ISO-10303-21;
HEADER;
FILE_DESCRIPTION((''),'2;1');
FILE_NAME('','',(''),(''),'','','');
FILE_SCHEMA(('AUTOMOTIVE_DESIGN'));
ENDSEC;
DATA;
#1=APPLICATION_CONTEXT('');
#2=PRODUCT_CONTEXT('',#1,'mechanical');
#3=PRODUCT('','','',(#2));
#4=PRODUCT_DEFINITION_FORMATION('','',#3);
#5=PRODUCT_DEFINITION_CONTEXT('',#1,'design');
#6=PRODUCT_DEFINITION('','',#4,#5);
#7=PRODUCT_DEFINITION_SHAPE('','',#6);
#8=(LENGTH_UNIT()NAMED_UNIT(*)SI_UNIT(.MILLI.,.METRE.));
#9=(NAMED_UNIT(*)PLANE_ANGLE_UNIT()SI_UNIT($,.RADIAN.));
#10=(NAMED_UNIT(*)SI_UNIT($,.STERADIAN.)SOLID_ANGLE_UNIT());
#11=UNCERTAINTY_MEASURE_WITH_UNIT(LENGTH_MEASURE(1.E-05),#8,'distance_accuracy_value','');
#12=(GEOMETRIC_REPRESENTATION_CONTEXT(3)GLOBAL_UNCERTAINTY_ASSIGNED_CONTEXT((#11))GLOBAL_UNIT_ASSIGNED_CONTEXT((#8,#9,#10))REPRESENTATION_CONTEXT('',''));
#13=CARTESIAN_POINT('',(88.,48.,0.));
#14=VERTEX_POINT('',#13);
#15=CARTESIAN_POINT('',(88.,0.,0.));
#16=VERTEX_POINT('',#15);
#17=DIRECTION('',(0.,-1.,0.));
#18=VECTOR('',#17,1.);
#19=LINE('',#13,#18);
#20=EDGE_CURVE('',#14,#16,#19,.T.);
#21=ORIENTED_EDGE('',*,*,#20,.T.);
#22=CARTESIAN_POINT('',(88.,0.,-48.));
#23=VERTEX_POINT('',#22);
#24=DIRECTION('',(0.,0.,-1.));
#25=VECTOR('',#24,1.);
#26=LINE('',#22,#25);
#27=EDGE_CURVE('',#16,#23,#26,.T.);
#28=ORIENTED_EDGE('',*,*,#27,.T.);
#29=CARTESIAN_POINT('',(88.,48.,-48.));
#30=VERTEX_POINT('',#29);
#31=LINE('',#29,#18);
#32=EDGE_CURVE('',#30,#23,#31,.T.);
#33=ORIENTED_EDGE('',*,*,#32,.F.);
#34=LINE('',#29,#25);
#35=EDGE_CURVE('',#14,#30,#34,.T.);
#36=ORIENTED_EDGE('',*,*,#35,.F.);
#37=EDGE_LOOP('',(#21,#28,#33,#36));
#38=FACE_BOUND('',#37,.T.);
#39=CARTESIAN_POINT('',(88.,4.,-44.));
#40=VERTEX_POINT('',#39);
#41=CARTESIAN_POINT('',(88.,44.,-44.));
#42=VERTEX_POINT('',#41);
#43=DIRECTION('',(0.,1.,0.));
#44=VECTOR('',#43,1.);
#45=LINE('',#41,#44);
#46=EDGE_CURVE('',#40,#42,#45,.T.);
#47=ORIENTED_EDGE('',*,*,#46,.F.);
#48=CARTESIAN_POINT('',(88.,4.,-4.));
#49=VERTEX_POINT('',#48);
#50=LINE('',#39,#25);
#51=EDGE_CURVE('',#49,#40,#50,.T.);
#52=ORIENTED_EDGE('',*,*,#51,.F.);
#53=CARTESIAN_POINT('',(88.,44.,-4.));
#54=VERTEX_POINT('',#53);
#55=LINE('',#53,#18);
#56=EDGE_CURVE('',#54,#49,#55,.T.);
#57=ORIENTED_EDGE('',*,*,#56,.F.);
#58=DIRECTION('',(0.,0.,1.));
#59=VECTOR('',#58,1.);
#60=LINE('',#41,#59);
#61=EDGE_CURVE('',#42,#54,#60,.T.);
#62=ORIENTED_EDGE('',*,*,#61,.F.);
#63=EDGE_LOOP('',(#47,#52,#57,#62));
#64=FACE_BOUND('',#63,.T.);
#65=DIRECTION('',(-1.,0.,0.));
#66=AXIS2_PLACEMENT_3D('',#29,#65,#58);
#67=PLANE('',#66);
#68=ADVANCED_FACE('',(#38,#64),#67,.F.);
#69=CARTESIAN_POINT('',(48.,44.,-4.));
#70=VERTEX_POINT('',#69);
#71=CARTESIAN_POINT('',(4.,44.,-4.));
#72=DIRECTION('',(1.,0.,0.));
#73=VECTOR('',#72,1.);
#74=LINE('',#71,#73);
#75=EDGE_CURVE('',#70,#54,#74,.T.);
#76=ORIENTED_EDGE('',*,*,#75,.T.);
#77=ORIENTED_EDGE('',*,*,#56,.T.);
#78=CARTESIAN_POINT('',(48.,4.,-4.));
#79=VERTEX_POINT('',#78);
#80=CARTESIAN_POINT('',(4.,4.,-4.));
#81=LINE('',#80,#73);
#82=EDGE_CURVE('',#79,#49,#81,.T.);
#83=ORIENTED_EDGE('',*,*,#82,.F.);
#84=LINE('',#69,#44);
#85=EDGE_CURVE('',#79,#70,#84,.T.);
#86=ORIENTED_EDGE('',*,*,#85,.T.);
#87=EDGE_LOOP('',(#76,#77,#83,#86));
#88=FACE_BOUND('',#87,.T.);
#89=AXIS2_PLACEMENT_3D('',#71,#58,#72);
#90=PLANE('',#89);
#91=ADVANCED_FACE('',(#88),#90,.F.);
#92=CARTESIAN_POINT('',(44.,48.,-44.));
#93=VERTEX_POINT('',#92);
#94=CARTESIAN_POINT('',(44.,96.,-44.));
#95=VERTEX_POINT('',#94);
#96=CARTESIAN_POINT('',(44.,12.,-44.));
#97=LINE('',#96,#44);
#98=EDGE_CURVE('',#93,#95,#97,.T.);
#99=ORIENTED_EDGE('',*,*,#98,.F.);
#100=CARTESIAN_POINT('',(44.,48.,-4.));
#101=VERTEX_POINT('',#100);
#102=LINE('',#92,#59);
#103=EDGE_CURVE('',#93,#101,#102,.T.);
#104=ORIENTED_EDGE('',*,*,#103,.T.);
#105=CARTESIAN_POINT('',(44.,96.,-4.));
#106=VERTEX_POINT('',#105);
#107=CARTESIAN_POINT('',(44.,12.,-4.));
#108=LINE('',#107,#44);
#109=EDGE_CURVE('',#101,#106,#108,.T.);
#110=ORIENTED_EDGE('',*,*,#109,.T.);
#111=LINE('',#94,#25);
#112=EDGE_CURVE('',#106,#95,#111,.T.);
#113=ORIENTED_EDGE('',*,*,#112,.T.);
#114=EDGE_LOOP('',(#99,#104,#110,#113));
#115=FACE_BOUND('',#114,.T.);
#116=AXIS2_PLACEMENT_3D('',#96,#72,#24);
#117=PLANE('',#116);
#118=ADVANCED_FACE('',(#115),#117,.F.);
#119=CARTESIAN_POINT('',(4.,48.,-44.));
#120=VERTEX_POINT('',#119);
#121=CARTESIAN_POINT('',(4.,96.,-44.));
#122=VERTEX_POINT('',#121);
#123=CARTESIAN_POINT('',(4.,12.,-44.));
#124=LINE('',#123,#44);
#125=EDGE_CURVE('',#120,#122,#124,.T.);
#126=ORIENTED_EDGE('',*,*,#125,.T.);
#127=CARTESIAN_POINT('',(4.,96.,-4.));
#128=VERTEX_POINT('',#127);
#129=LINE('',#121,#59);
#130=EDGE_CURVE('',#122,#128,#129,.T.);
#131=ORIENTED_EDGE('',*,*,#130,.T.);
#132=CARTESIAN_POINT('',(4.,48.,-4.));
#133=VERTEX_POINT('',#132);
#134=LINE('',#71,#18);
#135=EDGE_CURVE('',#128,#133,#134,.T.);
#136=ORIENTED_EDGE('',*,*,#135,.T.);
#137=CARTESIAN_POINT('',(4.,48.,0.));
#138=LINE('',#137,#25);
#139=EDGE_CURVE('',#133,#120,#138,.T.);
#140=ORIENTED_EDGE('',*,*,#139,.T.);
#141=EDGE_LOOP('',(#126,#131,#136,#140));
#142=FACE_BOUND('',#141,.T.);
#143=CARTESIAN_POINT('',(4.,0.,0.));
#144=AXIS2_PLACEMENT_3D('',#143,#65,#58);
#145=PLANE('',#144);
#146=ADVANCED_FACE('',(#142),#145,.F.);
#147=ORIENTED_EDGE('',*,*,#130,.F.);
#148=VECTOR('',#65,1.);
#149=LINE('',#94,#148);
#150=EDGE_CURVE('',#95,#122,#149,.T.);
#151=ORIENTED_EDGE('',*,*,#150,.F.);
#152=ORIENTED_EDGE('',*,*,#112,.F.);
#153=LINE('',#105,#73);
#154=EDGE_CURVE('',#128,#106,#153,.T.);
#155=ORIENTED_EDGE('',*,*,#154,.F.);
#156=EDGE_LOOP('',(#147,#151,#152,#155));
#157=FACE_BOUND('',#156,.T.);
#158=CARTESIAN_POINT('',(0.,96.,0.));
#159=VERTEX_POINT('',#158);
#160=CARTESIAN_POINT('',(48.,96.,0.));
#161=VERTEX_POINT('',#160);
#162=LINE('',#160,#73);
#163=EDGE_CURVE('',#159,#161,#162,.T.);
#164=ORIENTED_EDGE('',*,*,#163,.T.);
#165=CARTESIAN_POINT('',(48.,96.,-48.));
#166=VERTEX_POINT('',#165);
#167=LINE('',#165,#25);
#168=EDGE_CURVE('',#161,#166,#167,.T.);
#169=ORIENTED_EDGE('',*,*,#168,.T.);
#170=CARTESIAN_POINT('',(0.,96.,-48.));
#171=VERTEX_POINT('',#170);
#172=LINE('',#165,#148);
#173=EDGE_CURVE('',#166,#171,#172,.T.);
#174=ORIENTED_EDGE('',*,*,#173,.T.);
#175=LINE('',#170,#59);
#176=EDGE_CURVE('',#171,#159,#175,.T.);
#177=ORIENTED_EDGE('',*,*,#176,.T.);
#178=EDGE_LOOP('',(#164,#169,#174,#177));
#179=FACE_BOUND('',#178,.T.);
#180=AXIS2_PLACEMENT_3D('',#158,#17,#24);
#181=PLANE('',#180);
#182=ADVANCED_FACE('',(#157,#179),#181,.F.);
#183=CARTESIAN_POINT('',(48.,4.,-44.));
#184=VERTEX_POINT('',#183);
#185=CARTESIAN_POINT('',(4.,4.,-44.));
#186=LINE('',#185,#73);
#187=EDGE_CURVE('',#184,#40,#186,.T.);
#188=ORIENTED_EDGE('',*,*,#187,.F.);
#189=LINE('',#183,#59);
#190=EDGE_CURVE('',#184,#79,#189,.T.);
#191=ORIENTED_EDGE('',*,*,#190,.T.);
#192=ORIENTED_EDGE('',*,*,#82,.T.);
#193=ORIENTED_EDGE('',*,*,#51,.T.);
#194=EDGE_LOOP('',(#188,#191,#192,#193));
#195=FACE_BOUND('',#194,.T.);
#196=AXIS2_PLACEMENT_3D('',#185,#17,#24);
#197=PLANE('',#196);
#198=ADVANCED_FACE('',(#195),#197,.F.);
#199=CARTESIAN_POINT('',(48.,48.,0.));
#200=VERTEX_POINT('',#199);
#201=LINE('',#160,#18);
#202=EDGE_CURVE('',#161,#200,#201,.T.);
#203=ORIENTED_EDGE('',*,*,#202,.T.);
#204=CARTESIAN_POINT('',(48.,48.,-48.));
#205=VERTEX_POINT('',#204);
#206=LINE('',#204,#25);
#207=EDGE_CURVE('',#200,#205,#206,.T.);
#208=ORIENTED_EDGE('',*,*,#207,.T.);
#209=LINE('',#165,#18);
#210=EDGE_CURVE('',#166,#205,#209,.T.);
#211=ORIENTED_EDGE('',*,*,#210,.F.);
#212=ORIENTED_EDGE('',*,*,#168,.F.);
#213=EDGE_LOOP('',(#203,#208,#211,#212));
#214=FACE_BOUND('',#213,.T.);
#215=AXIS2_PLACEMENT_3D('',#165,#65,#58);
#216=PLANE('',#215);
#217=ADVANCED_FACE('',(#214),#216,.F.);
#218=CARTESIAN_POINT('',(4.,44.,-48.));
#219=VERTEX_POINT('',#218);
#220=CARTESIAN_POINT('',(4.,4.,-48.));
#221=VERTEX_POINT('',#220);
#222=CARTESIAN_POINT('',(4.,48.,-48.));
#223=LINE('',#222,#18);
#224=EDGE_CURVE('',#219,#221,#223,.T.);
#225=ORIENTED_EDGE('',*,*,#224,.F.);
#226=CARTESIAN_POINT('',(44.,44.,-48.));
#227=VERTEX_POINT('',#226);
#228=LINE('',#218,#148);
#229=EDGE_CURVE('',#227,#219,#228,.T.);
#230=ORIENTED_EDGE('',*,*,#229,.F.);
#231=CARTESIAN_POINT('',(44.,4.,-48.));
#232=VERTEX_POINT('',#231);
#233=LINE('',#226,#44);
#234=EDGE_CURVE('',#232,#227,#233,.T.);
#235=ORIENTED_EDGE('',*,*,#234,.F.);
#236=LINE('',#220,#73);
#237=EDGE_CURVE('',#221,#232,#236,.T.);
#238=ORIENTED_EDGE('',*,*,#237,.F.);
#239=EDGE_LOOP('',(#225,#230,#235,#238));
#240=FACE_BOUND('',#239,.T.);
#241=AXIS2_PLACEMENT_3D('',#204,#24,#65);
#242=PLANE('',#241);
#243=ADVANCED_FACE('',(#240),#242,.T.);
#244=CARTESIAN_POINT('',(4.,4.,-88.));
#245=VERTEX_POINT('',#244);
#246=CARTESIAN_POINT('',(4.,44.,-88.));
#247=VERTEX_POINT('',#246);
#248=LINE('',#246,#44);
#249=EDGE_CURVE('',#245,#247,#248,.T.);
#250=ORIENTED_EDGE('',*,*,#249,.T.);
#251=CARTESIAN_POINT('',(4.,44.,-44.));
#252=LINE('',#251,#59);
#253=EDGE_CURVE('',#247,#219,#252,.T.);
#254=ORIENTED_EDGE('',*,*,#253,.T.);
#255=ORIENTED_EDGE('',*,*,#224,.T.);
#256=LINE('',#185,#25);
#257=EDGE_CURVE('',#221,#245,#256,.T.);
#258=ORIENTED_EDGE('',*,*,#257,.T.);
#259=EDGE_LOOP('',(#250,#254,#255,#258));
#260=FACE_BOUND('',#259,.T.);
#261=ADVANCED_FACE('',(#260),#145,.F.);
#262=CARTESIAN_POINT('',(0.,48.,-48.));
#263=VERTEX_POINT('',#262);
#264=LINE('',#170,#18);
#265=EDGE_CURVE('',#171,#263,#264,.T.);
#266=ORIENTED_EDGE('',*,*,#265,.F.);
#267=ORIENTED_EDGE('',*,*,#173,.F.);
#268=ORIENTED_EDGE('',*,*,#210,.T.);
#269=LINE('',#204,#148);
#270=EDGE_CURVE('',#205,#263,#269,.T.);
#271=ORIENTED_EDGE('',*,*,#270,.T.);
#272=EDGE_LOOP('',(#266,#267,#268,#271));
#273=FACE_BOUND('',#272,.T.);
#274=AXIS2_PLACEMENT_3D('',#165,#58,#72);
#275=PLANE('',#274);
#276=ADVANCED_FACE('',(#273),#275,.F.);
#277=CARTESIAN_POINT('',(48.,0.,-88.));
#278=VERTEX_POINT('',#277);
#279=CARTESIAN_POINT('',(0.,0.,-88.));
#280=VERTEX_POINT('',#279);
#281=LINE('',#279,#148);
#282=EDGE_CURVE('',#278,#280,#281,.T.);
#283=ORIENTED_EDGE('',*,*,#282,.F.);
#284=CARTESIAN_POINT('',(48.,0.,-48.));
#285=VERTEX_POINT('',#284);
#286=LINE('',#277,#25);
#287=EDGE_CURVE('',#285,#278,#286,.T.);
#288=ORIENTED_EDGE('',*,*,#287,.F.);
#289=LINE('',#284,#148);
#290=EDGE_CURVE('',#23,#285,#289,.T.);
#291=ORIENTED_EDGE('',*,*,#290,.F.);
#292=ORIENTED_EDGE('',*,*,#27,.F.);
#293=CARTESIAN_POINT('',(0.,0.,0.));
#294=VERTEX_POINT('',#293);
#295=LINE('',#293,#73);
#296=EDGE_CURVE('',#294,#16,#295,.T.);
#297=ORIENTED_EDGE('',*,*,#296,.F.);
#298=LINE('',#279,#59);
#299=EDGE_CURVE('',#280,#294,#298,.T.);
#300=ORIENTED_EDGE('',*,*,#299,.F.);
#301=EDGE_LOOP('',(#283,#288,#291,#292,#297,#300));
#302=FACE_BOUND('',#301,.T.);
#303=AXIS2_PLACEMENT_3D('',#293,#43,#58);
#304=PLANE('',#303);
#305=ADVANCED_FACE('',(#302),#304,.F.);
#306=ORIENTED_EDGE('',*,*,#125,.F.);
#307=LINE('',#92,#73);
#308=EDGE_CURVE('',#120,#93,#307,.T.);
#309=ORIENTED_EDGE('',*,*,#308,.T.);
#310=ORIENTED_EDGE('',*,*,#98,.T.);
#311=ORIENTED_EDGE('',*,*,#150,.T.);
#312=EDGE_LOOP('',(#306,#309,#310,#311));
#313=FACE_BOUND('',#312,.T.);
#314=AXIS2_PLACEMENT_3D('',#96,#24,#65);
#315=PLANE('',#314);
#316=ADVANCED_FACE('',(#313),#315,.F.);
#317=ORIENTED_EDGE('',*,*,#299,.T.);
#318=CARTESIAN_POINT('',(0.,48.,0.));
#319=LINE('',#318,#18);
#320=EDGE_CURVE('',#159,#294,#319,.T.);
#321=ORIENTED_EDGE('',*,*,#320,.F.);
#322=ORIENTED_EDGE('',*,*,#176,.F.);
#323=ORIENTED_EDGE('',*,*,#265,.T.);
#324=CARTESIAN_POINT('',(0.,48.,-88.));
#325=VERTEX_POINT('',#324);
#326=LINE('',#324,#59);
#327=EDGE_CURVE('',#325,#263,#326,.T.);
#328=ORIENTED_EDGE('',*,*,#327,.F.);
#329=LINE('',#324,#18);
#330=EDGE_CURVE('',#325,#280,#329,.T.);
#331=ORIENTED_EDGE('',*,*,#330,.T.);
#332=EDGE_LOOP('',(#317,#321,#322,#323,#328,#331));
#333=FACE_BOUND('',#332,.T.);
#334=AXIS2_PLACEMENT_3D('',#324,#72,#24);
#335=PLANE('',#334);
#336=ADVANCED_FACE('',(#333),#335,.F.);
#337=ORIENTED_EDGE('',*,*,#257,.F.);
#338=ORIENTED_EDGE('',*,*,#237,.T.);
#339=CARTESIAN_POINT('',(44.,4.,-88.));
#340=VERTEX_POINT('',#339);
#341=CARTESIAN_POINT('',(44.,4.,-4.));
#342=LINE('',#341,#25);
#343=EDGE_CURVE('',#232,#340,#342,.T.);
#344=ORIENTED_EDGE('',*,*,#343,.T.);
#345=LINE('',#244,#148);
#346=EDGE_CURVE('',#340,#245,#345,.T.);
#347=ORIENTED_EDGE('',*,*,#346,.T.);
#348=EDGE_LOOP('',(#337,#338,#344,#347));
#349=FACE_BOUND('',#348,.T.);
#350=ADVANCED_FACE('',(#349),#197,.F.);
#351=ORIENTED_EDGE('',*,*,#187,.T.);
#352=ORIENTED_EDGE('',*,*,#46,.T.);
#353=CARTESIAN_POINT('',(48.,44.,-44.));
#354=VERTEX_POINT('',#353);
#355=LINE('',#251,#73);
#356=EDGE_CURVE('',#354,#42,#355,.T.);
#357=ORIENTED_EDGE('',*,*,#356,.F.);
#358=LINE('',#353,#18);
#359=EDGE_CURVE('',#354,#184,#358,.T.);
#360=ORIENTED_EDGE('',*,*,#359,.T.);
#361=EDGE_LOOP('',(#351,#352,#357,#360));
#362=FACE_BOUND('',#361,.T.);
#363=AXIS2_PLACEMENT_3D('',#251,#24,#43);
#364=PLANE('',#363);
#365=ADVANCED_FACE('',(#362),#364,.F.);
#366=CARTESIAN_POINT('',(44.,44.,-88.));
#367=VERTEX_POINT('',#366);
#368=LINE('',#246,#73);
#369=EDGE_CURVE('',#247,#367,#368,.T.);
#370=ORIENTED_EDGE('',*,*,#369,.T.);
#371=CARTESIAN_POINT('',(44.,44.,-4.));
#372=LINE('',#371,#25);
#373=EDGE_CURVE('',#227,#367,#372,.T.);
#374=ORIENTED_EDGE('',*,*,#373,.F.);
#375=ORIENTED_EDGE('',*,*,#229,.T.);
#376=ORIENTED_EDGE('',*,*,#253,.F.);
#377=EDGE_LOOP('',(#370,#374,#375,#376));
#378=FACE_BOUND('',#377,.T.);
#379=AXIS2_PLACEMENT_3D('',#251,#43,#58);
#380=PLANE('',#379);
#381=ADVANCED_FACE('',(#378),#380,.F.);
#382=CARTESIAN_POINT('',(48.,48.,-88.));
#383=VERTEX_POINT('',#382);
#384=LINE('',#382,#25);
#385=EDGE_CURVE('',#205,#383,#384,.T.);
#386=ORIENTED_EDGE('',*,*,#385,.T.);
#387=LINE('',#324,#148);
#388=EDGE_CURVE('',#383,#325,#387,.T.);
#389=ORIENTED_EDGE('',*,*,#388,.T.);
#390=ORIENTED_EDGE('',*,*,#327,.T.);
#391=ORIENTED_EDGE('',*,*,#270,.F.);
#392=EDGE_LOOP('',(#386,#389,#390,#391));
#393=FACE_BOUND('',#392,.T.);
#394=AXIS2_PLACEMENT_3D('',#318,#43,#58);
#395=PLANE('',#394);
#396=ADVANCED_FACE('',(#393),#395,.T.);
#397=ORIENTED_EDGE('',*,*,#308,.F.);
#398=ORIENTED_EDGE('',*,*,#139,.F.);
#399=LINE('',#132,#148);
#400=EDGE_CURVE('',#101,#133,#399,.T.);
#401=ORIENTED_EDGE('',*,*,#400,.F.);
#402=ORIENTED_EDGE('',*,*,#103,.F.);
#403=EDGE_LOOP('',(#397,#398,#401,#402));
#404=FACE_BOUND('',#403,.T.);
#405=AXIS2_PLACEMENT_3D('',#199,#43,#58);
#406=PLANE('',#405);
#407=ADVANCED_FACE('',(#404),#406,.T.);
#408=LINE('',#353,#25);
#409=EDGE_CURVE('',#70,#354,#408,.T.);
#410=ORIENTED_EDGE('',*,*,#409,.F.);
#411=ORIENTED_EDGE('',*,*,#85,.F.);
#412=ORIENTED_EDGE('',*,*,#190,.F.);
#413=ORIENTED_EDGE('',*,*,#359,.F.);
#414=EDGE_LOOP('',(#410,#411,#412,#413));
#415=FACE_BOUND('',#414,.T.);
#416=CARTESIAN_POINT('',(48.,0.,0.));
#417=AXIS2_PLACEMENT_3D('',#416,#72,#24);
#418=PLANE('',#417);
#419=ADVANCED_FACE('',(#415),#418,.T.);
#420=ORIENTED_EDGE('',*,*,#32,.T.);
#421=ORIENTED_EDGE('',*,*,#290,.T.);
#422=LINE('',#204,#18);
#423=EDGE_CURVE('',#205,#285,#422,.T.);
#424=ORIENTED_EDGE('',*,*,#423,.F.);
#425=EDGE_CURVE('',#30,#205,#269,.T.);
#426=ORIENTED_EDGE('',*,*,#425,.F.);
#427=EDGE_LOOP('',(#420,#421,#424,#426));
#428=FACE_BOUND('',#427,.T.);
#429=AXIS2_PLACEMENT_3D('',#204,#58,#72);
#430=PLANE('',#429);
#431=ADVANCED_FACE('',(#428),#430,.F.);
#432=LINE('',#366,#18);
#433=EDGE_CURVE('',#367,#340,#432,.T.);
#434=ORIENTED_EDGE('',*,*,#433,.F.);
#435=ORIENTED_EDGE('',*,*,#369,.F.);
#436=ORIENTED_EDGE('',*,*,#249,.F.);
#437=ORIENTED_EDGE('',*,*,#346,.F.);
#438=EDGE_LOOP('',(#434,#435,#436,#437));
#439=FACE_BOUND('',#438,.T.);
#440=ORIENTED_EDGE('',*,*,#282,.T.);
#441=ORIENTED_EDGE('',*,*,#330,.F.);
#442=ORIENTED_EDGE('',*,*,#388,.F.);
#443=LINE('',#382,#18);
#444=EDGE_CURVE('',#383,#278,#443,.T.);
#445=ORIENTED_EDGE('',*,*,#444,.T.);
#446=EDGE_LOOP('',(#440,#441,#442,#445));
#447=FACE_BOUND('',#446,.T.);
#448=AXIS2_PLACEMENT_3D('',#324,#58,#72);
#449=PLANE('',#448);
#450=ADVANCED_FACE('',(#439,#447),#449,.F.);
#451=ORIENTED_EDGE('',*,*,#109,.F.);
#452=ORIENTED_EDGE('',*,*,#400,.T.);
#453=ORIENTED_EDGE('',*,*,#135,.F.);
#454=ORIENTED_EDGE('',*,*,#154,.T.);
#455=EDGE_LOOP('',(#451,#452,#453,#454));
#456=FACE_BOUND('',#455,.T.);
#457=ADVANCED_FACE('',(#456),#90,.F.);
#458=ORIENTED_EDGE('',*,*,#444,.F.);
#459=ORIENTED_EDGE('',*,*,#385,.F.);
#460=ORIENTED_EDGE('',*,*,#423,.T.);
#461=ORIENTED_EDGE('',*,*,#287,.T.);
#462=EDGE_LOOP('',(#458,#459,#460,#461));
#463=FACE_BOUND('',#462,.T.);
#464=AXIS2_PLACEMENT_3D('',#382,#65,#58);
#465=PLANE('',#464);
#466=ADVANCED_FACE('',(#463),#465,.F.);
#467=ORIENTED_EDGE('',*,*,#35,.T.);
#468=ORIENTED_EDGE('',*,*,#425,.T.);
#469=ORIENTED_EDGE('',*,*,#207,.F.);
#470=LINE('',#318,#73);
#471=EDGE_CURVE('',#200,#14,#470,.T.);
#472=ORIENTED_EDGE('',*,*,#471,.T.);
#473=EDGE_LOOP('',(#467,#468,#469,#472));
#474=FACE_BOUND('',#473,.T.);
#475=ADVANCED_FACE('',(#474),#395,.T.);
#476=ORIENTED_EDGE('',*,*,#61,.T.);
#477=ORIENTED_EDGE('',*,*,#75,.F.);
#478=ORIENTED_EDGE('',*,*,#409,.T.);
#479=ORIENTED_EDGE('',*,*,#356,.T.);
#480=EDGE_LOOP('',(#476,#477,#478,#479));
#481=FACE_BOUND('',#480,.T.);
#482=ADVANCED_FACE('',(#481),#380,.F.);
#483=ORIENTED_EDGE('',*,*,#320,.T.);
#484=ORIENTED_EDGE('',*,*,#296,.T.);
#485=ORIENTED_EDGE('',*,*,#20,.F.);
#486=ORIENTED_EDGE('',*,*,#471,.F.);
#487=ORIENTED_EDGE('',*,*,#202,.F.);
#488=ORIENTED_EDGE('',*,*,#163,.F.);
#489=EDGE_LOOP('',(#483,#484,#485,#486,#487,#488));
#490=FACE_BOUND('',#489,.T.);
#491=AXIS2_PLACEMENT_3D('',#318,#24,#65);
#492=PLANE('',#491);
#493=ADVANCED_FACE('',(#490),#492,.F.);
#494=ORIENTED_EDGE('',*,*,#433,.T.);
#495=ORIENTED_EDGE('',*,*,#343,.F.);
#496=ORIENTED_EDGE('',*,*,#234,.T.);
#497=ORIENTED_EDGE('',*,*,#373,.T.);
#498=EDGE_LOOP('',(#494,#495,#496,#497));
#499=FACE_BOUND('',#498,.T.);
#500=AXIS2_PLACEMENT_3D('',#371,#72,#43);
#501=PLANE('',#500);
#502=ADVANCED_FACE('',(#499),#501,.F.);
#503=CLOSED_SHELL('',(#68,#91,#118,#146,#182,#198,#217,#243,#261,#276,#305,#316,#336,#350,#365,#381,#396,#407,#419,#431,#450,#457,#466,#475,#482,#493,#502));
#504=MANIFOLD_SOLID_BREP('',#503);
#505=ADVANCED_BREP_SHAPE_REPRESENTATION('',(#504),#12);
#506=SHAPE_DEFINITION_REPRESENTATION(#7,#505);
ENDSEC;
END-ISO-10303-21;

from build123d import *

# Parameters (mm, degrees)
EXTRUDE_1_DEPTH     = 48
SKETCH_2_W          = 48
SKETCH_2_H          = 48
EXTRUDE_2_DEPTH     = 48
SKETCH_3_W          = 40
SKETCH_3_H          = 40
CUT_EXTRUDE_1_DEPTH = 84
SKETCH_4_W          = 40
SKETCH_4_H          = 40
CUT_EXTRUDE_2_DEPTH = 84
SKETCH_5_W          = 40
SKETCH_5_H          = 40
CUT_EXTRUDE_3_DEPTH = 84
SKETCH_6_W          = 48
SKETCH_6_H          = 48
EXTRUDE_5_DEPTH     = 44


with BuildPart() as part:
    # 草图1 → 凸台-拉伸1 (new body)
    with BuildSketch(Plane(origin=(0, 0, 0), x_dir=(1, 0, 0), z_dir=(0, 1, 0))):
        Polygon((0, 88), (0, 0), (88, 0), (88, 48), (48, 48), (48, 88), align=None)
    extrude(amount=EXTRUDE_1_DEPTH)

    # 草图2 → 凸台-拉伸2 (add)
    with BuildSketch(Plane(origin=(0, 48, 0), x_dir=(1, 0, 0), z_dir=(0, 1, 0))):
        with Locations((24, 24)):
            Rectangle(SKETCH_2_W, SKETCH_2_H)
    extrude(amount=EXTRUDE_2_DEPTH)

    # 草图3 → 切除-拉伸1 (cut)
    with BuildSketch(Plane(origin=(88, 0, 0), x_dir=(0, 0, -1), z_dir=(1, 0, 0))):
        with Locations((24, 24)):
            Rectangle(SKETCH_3_W, SKETCH_3_H)
    extrude(amount=-CUT_EXTRUDE_1_DEPTH, mode=Mode.SUBTRACT)

    # 草图4 → 切除-拉伸2 (cut)
    with BuildSketch(Plane(origin=(0, 0, -88), x_dir=(-1, 0, 0), z_dir=(0, 0, -1))):
        with Locations((-24, 24)):
            Rectangle(SKETCH_4_W, SKETCH_4_H)
    extrude(amount=-CUT_EXTRUDE_2_DEPTH, mode=Mode.SUBTRACT)

    # 草图5 → 切除-拉伸3 (cut)
    with BuildSketch(Plane(origin=(0, 96, 0), x_dir=(1, 0, 0), z_dir=(0, 1, 0))):
        with Locations((24, 24)):
            Rectangle(SKETCH_5_W, SKETCH_5_H)
    extrude(amount=-CUT_EXTRUDE_3_DEPTH, mode=Mode.SUBTRACT)

    # 草图6 → 凸台-拉伸5 (add)
    with BuildSketch(Plane(origin=(4, 0, 0), x_dir=(0, 0, -1), z_dir=(1, 0, 0))):
        with Locations((24, 24)):
            Rectangle(SKETCH_6_W, SKETCH_6_H)
    extrude(amount=EXTRUDE_5_DEPTH)


solid = part.part
